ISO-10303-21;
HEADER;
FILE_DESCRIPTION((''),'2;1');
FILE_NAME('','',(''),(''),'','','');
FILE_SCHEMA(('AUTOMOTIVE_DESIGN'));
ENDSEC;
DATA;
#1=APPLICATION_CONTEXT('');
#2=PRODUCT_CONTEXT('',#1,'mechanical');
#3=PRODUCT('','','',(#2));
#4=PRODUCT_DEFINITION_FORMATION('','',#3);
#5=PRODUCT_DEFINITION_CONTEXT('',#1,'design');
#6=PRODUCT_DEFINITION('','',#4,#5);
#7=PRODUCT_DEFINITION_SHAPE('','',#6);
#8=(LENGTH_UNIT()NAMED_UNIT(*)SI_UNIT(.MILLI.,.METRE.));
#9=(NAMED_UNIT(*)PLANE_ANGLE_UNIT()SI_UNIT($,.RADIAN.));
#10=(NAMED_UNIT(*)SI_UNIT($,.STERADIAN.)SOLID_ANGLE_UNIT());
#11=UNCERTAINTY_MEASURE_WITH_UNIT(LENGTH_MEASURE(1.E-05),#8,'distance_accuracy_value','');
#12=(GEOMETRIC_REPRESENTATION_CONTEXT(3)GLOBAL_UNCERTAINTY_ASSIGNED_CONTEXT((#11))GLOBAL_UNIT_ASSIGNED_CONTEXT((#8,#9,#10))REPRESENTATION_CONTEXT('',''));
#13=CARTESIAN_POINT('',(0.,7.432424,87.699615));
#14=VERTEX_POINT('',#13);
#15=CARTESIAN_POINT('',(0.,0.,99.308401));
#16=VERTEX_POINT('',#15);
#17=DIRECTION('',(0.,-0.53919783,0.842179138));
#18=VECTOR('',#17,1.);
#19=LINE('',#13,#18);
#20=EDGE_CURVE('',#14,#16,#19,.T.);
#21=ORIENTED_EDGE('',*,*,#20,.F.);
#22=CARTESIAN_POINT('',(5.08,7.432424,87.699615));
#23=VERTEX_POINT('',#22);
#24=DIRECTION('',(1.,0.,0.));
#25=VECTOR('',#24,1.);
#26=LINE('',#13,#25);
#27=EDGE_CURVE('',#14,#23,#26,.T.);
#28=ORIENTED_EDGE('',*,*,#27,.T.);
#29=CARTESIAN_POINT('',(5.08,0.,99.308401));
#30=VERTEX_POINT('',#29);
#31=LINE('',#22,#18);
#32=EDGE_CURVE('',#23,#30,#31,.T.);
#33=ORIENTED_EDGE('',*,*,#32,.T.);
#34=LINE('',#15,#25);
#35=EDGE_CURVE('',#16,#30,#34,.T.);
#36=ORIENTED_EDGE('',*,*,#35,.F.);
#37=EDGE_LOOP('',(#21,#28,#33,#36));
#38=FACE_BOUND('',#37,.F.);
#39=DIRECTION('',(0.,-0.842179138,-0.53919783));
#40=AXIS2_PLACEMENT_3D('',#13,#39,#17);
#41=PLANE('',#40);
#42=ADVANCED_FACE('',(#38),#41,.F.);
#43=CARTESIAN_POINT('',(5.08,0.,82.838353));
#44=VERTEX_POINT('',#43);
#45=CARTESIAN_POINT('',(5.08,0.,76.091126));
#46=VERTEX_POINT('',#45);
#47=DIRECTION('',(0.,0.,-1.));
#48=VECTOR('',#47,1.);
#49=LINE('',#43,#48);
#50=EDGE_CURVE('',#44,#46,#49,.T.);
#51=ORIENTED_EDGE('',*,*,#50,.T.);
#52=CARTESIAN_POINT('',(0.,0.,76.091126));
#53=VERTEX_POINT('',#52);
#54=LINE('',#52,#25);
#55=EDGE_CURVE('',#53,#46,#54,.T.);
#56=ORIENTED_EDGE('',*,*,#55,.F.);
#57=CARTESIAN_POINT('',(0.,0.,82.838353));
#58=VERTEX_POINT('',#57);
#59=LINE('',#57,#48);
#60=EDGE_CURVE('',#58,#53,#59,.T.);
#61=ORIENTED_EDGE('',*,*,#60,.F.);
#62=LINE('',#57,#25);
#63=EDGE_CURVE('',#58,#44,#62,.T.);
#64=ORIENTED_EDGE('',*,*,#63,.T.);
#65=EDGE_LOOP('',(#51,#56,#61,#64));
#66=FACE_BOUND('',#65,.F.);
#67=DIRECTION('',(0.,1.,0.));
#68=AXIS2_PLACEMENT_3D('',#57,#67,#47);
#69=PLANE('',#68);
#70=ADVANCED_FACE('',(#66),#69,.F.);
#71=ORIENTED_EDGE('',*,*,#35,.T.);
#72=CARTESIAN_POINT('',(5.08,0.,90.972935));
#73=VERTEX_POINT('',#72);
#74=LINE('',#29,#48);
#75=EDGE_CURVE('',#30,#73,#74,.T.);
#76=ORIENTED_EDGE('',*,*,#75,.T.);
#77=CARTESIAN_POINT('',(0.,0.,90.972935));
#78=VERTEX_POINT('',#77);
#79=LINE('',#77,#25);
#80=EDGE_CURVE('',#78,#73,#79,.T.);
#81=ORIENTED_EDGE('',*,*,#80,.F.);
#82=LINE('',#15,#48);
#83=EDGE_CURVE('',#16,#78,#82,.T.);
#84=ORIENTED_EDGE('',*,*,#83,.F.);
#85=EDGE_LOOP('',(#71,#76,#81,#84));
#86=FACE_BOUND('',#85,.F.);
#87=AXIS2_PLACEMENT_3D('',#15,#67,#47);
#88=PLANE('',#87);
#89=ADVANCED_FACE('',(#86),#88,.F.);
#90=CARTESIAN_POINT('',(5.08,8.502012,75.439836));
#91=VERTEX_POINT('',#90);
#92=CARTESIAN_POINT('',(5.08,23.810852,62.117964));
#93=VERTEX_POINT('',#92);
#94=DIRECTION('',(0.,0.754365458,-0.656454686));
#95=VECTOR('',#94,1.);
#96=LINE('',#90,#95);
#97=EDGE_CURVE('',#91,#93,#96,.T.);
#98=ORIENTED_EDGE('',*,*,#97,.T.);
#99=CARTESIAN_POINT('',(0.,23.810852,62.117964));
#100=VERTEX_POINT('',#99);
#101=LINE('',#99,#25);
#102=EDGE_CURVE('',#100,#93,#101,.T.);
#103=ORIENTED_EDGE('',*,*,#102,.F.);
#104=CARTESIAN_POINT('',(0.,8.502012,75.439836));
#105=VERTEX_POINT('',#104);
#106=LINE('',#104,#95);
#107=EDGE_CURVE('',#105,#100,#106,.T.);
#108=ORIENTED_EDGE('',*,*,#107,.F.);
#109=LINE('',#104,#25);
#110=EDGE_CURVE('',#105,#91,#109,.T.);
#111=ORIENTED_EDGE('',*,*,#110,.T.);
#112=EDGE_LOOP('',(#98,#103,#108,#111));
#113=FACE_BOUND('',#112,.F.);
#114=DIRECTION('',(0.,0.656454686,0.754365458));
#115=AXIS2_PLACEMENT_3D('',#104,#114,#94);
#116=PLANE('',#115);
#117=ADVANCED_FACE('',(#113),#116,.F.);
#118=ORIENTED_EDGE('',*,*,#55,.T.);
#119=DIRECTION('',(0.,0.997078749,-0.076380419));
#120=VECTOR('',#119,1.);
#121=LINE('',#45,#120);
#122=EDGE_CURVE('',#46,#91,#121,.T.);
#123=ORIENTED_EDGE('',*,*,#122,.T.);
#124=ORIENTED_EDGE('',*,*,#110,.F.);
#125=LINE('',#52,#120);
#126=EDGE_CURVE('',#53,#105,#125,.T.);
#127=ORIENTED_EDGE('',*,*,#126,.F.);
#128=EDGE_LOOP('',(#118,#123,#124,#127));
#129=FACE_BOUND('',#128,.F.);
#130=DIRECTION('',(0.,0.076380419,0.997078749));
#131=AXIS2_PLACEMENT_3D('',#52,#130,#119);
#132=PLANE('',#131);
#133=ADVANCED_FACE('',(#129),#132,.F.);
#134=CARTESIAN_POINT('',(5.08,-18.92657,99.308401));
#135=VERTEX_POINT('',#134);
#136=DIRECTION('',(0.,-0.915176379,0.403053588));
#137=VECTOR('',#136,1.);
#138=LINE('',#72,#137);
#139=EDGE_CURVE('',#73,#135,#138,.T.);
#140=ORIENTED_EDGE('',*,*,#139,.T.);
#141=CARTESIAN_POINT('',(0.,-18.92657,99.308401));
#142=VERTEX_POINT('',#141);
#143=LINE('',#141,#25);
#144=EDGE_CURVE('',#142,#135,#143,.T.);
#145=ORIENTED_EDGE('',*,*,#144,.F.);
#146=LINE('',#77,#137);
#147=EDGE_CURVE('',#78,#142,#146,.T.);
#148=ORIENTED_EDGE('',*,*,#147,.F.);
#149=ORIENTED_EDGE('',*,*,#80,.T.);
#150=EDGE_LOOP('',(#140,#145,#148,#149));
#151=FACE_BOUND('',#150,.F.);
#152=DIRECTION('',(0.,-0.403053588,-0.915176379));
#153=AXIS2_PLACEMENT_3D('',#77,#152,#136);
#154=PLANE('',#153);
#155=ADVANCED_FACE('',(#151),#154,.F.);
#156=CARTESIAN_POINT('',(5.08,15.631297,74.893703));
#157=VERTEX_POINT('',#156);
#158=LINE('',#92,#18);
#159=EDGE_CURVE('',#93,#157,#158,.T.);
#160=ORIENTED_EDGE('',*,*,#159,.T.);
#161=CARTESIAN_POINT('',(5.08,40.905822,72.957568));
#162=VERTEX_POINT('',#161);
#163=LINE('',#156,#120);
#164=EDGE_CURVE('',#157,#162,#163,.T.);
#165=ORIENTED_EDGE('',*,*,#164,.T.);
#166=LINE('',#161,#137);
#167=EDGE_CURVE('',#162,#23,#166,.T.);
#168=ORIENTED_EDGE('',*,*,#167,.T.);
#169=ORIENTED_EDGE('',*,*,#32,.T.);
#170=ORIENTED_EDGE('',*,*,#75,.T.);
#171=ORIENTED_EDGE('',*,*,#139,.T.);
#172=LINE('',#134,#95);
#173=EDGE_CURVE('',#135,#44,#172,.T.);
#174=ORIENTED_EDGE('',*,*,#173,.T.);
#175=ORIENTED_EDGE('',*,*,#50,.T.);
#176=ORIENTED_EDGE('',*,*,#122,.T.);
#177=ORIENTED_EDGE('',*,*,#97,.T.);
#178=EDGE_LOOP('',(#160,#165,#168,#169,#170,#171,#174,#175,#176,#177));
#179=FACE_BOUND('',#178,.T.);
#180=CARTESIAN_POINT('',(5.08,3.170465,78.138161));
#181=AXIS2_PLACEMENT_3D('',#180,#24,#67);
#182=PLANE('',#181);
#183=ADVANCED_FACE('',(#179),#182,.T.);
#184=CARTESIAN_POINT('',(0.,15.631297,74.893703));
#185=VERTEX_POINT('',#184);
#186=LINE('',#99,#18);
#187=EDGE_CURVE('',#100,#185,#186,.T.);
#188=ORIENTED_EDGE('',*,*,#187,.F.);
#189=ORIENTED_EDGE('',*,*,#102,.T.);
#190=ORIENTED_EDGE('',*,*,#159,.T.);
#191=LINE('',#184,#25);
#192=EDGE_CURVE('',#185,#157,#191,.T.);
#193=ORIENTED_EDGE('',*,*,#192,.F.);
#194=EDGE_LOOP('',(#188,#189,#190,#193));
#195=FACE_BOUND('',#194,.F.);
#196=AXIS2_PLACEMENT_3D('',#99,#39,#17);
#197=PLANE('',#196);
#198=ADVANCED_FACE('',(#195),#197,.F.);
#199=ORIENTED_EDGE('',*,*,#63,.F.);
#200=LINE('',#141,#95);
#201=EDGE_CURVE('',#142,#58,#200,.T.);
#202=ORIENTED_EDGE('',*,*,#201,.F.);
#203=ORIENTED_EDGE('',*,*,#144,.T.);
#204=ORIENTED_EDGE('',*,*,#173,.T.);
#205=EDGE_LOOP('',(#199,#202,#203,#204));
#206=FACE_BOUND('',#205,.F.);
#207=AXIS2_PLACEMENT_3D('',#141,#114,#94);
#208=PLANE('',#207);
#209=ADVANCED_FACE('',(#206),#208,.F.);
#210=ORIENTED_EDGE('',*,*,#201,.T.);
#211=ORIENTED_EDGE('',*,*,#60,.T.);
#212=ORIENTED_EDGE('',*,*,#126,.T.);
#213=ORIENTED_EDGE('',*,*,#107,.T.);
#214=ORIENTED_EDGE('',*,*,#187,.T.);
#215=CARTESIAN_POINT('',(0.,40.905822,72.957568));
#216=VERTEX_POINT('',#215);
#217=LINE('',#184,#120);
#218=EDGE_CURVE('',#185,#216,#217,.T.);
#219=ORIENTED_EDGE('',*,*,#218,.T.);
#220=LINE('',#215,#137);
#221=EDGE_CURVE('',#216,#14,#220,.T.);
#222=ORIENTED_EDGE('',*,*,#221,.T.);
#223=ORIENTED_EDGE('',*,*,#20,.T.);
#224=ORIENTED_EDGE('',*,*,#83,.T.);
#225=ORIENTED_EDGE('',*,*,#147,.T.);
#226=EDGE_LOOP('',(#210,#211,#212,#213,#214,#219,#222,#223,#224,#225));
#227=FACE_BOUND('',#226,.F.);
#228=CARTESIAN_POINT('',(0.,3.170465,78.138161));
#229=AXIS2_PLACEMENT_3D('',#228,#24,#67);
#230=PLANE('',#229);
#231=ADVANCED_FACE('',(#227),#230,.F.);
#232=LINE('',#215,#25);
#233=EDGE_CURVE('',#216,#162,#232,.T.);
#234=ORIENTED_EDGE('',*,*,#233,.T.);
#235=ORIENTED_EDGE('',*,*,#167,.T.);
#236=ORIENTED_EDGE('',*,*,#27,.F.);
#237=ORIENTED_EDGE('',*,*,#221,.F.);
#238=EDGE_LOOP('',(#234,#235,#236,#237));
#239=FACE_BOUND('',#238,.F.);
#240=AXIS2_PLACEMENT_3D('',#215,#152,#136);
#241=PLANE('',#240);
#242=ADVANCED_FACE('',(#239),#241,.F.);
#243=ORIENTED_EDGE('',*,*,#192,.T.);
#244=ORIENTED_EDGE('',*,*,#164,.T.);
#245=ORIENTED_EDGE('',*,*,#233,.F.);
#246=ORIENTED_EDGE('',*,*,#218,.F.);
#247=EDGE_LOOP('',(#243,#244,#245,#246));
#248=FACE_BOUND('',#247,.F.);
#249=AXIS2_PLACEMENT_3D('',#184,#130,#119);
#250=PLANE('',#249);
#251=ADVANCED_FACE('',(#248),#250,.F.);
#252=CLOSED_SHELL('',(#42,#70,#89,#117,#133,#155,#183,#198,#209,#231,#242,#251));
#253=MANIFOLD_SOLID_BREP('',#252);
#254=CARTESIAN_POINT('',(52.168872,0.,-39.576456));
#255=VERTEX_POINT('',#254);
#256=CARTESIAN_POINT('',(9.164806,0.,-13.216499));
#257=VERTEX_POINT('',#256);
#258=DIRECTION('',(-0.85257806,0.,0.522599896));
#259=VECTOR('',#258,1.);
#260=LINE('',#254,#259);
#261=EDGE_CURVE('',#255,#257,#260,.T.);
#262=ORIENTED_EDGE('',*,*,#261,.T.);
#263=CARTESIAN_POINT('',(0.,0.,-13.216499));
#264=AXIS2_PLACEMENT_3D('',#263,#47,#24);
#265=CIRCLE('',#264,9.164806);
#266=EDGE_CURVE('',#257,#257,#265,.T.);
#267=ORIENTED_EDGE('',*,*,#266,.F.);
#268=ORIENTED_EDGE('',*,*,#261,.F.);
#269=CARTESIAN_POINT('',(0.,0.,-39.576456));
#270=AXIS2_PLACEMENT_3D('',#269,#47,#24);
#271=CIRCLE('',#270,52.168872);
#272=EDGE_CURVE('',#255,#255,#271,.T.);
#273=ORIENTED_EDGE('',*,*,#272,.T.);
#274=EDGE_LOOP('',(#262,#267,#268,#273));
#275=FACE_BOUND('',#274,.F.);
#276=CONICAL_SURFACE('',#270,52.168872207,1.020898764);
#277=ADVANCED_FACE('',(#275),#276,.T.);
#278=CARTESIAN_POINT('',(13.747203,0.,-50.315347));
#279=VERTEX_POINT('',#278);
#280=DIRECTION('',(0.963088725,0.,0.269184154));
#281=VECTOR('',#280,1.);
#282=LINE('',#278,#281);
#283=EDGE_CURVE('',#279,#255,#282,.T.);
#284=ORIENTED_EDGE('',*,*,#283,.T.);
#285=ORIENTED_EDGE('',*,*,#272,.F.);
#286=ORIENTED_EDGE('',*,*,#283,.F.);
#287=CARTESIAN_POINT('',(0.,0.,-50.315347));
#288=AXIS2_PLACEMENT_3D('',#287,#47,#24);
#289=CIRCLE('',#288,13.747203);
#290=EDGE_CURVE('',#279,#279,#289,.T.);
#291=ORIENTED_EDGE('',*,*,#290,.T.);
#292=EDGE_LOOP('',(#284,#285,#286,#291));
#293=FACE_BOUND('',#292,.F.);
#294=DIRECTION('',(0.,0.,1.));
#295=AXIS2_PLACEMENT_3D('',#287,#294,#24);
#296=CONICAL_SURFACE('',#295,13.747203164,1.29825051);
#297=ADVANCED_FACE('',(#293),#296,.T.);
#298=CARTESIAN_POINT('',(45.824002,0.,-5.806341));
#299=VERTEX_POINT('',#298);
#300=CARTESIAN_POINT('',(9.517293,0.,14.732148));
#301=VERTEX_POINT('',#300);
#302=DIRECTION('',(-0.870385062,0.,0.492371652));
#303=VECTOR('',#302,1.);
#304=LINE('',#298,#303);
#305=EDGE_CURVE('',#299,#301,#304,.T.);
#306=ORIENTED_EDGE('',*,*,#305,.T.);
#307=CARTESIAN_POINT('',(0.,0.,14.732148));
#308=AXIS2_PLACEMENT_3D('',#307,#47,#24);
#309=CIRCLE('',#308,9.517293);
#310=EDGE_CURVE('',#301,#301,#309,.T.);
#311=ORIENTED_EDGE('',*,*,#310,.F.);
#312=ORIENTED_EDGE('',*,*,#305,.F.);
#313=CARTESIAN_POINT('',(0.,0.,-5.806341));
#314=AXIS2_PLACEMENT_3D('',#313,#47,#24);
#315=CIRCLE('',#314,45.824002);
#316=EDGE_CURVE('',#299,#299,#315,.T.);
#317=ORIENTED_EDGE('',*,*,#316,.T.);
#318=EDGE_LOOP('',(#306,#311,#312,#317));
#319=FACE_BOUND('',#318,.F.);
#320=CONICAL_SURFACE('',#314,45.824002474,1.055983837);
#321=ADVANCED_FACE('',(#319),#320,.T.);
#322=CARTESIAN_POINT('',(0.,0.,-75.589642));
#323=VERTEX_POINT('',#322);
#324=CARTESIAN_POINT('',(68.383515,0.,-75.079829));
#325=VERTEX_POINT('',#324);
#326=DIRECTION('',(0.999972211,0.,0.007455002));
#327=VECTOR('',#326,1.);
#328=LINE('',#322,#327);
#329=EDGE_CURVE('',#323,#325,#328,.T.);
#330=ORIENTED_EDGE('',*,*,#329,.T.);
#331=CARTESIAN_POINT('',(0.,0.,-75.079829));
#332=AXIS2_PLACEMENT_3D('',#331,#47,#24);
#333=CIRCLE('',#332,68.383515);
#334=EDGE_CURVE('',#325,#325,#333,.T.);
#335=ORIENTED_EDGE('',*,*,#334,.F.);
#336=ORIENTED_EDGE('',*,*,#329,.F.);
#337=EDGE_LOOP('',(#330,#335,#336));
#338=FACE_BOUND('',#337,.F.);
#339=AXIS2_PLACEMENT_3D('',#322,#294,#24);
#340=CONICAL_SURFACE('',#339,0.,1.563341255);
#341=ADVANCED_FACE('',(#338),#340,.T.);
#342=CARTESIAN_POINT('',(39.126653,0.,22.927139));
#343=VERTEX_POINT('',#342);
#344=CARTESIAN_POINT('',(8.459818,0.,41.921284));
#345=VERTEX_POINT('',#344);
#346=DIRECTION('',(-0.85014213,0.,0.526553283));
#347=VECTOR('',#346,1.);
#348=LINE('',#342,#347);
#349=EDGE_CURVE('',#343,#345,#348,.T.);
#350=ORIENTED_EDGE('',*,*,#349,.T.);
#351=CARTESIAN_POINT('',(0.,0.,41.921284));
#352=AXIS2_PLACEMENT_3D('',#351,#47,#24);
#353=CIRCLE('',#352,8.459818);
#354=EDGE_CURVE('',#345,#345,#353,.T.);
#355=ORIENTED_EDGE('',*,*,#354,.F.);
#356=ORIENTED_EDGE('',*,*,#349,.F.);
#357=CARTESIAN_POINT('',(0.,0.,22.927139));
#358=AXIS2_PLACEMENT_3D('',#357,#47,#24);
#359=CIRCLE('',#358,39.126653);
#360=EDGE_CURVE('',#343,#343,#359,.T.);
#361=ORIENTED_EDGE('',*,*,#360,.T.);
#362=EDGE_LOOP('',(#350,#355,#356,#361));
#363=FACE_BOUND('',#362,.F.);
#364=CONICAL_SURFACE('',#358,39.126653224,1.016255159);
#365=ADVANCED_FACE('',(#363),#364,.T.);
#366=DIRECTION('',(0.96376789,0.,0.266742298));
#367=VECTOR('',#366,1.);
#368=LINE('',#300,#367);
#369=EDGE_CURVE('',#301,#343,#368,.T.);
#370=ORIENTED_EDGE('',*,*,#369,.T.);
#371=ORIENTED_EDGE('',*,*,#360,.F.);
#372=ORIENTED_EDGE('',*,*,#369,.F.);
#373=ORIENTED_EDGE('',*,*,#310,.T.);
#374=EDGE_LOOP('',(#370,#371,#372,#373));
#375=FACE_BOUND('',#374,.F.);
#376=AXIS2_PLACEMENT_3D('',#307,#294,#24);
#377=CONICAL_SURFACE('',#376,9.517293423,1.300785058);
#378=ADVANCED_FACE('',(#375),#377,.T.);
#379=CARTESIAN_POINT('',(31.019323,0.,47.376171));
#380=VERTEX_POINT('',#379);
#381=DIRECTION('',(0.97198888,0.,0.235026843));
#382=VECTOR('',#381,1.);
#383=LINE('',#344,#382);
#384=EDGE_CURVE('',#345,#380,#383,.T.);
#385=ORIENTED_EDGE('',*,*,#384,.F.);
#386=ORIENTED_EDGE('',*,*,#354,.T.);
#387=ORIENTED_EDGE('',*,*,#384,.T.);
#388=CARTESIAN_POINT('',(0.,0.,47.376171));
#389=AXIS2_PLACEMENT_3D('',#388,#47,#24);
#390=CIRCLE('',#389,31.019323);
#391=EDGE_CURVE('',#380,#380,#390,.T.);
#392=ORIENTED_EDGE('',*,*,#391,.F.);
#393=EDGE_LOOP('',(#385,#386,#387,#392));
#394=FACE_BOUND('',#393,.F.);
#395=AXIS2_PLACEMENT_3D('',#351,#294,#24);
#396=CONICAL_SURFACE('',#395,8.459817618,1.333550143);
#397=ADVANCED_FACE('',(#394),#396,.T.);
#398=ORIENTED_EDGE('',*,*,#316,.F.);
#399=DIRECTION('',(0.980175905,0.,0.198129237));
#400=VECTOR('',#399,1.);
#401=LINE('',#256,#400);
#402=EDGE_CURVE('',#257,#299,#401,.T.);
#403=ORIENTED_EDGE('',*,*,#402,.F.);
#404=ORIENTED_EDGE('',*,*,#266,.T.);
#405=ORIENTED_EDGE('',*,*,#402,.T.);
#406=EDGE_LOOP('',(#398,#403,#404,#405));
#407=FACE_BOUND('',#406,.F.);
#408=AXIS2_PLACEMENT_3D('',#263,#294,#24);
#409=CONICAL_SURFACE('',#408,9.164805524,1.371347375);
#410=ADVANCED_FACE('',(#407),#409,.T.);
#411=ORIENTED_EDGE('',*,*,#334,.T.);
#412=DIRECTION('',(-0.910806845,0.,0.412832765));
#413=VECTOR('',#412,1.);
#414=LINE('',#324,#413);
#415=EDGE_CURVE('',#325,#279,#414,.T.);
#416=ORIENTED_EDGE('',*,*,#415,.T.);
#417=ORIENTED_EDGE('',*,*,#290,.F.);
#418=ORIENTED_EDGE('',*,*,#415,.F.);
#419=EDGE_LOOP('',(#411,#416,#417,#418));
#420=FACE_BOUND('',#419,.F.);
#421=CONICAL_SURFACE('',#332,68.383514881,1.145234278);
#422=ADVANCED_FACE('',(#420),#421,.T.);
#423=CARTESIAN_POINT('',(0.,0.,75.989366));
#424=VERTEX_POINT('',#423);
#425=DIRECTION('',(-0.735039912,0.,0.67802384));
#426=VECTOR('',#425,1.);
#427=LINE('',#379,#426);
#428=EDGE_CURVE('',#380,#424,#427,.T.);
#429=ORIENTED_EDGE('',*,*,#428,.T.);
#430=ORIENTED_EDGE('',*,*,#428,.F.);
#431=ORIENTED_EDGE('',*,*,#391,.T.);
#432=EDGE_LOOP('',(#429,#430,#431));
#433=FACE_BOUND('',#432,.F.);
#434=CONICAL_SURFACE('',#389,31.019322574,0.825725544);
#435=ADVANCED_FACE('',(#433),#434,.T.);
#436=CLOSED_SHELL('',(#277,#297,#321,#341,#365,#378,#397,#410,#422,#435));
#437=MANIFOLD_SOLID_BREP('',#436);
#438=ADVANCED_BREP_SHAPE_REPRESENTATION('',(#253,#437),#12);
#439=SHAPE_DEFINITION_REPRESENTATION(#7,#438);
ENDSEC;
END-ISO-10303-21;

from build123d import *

# Parameters (mm, degrees)
F3_DEPTH = 5.08


with BuildPart() as f1:
    # F0 (on Front) → F1 (revolve)
    with BuildSketch(Plane.XZ):
        Polygon((31.0193225741, 47.3761707544), (0, 75.9893655777), (0, -75.5896419287), (68.3835148811, -75.0798285007), (13.7472031638, -50.3153465688), (52.1688722074, -39.5764559507), (9.1648055241, -13.2164992392), (45.8240024745, -5.806340836), (9.5172934234, 14.7321484983), (39.1266532242, 22.9271389544), (8.4598176181, 41.9212840497), align=None)
    revolve(axis=Axis((0, 0, 0.1998618245), (0, 0, -1)))


with BuildPart() as f3:
    # F2 (on Right) → F3 (new body)
    with BuildSketch(Plane.YZ):
        Polygon((0, 82.8383528268), (0, 76.0911256075), (8.5020121268, 75.439835778), align=None)
        Polygon((-18.926570192, 99.3084013462), (0, 82.8383528268), (0, 90.9729348781), align=None)
        Polygon((0, 90.9729348781), (0, 82.8383528268), (8.5020121268, 75.439835778), (15.6312974104, 74.8937025889), (7.4324240626, 87.6996148353), align=None)
        Polygon((15.6312974104, 74.8937025889), (8.5020121268, 75.439835778), (23.810852319, 62.1179640293), align=None)
        Polygon((0, 99.3084013462), (0, 90.9729348781), (7.4324240626, 87.6996148353), align=None)
        Polygon((7.4324240626, 87.6996148353), (15.6312974104, 74.8937025889), (40.9058220685, 72.9575678706), align=None)
    extrude(amount=F3_DEPTH)


solid = Compound([f1.part, f3.part])
